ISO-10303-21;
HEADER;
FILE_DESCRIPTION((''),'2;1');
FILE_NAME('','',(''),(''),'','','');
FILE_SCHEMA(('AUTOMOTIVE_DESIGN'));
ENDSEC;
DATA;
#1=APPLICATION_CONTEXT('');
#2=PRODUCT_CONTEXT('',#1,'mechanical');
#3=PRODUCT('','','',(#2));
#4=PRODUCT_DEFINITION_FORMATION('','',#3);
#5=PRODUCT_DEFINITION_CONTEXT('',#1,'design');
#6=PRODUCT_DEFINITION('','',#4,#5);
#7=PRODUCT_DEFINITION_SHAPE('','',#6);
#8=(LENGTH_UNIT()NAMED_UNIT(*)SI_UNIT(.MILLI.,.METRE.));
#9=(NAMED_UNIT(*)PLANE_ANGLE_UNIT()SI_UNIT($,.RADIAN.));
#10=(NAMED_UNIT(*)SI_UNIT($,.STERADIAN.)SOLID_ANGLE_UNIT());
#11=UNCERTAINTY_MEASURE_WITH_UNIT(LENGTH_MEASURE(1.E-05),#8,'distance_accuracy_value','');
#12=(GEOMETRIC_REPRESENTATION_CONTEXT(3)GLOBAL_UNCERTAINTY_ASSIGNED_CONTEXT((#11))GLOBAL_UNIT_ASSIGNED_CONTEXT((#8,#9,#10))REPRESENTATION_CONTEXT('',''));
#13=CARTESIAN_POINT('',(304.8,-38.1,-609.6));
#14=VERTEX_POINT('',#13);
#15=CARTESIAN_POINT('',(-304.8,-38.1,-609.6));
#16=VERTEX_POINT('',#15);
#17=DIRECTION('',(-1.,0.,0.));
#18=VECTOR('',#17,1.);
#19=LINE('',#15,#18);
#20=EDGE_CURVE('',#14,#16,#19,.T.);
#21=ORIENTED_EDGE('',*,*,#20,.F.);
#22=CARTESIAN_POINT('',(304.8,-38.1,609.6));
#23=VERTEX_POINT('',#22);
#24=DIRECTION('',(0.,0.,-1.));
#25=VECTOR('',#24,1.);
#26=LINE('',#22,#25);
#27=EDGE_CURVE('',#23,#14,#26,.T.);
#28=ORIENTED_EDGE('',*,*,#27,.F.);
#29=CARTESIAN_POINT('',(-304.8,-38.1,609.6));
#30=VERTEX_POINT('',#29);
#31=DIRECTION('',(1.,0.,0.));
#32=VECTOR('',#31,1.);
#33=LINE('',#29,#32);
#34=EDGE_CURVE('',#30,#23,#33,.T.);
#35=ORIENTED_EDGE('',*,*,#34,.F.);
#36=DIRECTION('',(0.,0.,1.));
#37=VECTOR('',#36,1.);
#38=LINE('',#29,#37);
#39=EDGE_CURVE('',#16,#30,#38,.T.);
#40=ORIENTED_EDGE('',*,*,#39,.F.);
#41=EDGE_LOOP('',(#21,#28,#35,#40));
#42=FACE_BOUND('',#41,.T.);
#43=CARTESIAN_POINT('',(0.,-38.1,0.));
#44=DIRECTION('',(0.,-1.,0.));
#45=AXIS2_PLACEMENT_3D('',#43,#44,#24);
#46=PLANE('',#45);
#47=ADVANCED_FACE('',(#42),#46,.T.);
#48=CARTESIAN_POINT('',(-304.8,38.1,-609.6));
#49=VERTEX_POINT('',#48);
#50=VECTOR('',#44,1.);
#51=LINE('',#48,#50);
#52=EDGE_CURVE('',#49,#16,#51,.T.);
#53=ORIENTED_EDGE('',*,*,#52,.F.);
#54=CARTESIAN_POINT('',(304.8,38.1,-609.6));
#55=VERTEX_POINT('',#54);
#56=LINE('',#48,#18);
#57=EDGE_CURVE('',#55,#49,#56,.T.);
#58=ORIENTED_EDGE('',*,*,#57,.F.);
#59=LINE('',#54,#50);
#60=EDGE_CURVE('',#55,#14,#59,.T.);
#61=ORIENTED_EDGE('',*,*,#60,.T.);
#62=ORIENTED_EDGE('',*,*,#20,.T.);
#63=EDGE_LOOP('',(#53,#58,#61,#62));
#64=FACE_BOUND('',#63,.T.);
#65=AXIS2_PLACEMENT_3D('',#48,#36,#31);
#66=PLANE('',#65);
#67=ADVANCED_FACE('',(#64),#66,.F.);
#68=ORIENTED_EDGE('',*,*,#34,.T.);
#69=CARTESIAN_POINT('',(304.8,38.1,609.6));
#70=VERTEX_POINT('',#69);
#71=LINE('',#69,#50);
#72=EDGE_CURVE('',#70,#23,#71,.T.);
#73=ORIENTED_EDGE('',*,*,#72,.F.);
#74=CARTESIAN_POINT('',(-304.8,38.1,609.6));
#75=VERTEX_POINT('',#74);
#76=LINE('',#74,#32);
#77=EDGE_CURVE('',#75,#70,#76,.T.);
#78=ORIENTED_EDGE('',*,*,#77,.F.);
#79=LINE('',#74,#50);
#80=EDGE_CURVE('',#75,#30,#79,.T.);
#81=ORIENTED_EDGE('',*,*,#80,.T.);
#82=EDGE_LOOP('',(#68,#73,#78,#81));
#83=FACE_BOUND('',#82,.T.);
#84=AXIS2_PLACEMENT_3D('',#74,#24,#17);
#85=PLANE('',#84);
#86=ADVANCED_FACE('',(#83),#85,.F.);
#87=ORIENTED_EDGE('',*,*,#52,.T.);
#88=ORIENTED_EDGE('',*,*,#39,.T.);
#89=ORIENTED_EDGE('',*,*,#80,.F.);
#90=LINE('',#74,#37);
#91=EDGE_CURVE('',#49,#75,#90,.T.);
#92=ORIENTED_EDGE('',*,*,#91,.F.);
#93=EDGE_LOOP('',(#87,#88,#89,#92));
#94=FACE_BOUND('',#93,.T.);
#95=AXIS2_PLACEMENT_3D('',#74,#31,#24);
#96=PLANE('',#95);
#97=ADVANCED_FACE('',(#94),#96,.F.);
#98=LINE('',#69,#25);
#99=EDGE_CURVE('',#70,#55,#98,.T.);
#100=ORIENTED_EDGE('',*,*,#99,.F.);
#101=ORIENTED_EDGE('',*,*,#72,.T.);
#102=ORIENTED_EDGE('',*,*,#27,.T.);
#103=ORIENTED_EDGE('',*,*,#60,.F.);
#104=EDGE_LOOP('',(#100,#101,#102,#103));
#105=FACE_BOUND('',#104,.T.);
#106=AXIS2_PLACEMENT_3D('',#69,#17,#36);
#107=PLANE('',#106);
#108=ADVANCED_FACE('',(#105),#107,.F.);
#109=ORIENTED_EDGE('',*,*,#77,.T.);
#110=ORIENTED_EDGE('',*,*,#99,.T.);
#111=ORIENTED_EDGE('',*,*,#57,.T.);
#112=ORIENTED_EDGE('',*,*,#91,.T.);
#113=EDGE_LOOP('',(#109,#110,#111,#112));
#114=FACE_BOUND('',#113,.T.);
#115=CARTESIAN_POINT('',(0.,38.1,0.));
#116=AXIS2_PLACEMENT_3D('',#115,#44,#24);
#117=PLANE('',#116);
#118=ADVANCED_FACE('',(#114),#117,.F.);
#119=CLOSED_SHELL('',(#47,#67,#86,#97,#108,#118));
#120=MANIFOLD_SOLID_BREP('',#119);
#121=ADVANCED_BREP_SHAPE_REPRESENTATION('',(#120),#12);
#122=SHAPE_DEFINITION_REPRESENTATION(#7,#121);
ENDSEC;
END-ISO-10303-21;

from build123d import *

# Parameters (mm, degrees)
SKETCH1_W           = 609.6
SKETCH1_H           = 1219.2
BOSS_EXTRUDE1_DEPTH = 38.1


with BuildPart() as part:
    # Sketch1 → Boss-Extrude1 (new body, symmetric)
    with BuildSketch(Plane(origin=(0, 0, 0), x_dir=(1, 0, 0), z_dir=(0, 1, 0))):
        Rectangle(SKETCH1_W, SKETCH1_H)
    extrude(amount=BOSS_EXTRUDE1_DEPTH, both=True)


solid = part.part
